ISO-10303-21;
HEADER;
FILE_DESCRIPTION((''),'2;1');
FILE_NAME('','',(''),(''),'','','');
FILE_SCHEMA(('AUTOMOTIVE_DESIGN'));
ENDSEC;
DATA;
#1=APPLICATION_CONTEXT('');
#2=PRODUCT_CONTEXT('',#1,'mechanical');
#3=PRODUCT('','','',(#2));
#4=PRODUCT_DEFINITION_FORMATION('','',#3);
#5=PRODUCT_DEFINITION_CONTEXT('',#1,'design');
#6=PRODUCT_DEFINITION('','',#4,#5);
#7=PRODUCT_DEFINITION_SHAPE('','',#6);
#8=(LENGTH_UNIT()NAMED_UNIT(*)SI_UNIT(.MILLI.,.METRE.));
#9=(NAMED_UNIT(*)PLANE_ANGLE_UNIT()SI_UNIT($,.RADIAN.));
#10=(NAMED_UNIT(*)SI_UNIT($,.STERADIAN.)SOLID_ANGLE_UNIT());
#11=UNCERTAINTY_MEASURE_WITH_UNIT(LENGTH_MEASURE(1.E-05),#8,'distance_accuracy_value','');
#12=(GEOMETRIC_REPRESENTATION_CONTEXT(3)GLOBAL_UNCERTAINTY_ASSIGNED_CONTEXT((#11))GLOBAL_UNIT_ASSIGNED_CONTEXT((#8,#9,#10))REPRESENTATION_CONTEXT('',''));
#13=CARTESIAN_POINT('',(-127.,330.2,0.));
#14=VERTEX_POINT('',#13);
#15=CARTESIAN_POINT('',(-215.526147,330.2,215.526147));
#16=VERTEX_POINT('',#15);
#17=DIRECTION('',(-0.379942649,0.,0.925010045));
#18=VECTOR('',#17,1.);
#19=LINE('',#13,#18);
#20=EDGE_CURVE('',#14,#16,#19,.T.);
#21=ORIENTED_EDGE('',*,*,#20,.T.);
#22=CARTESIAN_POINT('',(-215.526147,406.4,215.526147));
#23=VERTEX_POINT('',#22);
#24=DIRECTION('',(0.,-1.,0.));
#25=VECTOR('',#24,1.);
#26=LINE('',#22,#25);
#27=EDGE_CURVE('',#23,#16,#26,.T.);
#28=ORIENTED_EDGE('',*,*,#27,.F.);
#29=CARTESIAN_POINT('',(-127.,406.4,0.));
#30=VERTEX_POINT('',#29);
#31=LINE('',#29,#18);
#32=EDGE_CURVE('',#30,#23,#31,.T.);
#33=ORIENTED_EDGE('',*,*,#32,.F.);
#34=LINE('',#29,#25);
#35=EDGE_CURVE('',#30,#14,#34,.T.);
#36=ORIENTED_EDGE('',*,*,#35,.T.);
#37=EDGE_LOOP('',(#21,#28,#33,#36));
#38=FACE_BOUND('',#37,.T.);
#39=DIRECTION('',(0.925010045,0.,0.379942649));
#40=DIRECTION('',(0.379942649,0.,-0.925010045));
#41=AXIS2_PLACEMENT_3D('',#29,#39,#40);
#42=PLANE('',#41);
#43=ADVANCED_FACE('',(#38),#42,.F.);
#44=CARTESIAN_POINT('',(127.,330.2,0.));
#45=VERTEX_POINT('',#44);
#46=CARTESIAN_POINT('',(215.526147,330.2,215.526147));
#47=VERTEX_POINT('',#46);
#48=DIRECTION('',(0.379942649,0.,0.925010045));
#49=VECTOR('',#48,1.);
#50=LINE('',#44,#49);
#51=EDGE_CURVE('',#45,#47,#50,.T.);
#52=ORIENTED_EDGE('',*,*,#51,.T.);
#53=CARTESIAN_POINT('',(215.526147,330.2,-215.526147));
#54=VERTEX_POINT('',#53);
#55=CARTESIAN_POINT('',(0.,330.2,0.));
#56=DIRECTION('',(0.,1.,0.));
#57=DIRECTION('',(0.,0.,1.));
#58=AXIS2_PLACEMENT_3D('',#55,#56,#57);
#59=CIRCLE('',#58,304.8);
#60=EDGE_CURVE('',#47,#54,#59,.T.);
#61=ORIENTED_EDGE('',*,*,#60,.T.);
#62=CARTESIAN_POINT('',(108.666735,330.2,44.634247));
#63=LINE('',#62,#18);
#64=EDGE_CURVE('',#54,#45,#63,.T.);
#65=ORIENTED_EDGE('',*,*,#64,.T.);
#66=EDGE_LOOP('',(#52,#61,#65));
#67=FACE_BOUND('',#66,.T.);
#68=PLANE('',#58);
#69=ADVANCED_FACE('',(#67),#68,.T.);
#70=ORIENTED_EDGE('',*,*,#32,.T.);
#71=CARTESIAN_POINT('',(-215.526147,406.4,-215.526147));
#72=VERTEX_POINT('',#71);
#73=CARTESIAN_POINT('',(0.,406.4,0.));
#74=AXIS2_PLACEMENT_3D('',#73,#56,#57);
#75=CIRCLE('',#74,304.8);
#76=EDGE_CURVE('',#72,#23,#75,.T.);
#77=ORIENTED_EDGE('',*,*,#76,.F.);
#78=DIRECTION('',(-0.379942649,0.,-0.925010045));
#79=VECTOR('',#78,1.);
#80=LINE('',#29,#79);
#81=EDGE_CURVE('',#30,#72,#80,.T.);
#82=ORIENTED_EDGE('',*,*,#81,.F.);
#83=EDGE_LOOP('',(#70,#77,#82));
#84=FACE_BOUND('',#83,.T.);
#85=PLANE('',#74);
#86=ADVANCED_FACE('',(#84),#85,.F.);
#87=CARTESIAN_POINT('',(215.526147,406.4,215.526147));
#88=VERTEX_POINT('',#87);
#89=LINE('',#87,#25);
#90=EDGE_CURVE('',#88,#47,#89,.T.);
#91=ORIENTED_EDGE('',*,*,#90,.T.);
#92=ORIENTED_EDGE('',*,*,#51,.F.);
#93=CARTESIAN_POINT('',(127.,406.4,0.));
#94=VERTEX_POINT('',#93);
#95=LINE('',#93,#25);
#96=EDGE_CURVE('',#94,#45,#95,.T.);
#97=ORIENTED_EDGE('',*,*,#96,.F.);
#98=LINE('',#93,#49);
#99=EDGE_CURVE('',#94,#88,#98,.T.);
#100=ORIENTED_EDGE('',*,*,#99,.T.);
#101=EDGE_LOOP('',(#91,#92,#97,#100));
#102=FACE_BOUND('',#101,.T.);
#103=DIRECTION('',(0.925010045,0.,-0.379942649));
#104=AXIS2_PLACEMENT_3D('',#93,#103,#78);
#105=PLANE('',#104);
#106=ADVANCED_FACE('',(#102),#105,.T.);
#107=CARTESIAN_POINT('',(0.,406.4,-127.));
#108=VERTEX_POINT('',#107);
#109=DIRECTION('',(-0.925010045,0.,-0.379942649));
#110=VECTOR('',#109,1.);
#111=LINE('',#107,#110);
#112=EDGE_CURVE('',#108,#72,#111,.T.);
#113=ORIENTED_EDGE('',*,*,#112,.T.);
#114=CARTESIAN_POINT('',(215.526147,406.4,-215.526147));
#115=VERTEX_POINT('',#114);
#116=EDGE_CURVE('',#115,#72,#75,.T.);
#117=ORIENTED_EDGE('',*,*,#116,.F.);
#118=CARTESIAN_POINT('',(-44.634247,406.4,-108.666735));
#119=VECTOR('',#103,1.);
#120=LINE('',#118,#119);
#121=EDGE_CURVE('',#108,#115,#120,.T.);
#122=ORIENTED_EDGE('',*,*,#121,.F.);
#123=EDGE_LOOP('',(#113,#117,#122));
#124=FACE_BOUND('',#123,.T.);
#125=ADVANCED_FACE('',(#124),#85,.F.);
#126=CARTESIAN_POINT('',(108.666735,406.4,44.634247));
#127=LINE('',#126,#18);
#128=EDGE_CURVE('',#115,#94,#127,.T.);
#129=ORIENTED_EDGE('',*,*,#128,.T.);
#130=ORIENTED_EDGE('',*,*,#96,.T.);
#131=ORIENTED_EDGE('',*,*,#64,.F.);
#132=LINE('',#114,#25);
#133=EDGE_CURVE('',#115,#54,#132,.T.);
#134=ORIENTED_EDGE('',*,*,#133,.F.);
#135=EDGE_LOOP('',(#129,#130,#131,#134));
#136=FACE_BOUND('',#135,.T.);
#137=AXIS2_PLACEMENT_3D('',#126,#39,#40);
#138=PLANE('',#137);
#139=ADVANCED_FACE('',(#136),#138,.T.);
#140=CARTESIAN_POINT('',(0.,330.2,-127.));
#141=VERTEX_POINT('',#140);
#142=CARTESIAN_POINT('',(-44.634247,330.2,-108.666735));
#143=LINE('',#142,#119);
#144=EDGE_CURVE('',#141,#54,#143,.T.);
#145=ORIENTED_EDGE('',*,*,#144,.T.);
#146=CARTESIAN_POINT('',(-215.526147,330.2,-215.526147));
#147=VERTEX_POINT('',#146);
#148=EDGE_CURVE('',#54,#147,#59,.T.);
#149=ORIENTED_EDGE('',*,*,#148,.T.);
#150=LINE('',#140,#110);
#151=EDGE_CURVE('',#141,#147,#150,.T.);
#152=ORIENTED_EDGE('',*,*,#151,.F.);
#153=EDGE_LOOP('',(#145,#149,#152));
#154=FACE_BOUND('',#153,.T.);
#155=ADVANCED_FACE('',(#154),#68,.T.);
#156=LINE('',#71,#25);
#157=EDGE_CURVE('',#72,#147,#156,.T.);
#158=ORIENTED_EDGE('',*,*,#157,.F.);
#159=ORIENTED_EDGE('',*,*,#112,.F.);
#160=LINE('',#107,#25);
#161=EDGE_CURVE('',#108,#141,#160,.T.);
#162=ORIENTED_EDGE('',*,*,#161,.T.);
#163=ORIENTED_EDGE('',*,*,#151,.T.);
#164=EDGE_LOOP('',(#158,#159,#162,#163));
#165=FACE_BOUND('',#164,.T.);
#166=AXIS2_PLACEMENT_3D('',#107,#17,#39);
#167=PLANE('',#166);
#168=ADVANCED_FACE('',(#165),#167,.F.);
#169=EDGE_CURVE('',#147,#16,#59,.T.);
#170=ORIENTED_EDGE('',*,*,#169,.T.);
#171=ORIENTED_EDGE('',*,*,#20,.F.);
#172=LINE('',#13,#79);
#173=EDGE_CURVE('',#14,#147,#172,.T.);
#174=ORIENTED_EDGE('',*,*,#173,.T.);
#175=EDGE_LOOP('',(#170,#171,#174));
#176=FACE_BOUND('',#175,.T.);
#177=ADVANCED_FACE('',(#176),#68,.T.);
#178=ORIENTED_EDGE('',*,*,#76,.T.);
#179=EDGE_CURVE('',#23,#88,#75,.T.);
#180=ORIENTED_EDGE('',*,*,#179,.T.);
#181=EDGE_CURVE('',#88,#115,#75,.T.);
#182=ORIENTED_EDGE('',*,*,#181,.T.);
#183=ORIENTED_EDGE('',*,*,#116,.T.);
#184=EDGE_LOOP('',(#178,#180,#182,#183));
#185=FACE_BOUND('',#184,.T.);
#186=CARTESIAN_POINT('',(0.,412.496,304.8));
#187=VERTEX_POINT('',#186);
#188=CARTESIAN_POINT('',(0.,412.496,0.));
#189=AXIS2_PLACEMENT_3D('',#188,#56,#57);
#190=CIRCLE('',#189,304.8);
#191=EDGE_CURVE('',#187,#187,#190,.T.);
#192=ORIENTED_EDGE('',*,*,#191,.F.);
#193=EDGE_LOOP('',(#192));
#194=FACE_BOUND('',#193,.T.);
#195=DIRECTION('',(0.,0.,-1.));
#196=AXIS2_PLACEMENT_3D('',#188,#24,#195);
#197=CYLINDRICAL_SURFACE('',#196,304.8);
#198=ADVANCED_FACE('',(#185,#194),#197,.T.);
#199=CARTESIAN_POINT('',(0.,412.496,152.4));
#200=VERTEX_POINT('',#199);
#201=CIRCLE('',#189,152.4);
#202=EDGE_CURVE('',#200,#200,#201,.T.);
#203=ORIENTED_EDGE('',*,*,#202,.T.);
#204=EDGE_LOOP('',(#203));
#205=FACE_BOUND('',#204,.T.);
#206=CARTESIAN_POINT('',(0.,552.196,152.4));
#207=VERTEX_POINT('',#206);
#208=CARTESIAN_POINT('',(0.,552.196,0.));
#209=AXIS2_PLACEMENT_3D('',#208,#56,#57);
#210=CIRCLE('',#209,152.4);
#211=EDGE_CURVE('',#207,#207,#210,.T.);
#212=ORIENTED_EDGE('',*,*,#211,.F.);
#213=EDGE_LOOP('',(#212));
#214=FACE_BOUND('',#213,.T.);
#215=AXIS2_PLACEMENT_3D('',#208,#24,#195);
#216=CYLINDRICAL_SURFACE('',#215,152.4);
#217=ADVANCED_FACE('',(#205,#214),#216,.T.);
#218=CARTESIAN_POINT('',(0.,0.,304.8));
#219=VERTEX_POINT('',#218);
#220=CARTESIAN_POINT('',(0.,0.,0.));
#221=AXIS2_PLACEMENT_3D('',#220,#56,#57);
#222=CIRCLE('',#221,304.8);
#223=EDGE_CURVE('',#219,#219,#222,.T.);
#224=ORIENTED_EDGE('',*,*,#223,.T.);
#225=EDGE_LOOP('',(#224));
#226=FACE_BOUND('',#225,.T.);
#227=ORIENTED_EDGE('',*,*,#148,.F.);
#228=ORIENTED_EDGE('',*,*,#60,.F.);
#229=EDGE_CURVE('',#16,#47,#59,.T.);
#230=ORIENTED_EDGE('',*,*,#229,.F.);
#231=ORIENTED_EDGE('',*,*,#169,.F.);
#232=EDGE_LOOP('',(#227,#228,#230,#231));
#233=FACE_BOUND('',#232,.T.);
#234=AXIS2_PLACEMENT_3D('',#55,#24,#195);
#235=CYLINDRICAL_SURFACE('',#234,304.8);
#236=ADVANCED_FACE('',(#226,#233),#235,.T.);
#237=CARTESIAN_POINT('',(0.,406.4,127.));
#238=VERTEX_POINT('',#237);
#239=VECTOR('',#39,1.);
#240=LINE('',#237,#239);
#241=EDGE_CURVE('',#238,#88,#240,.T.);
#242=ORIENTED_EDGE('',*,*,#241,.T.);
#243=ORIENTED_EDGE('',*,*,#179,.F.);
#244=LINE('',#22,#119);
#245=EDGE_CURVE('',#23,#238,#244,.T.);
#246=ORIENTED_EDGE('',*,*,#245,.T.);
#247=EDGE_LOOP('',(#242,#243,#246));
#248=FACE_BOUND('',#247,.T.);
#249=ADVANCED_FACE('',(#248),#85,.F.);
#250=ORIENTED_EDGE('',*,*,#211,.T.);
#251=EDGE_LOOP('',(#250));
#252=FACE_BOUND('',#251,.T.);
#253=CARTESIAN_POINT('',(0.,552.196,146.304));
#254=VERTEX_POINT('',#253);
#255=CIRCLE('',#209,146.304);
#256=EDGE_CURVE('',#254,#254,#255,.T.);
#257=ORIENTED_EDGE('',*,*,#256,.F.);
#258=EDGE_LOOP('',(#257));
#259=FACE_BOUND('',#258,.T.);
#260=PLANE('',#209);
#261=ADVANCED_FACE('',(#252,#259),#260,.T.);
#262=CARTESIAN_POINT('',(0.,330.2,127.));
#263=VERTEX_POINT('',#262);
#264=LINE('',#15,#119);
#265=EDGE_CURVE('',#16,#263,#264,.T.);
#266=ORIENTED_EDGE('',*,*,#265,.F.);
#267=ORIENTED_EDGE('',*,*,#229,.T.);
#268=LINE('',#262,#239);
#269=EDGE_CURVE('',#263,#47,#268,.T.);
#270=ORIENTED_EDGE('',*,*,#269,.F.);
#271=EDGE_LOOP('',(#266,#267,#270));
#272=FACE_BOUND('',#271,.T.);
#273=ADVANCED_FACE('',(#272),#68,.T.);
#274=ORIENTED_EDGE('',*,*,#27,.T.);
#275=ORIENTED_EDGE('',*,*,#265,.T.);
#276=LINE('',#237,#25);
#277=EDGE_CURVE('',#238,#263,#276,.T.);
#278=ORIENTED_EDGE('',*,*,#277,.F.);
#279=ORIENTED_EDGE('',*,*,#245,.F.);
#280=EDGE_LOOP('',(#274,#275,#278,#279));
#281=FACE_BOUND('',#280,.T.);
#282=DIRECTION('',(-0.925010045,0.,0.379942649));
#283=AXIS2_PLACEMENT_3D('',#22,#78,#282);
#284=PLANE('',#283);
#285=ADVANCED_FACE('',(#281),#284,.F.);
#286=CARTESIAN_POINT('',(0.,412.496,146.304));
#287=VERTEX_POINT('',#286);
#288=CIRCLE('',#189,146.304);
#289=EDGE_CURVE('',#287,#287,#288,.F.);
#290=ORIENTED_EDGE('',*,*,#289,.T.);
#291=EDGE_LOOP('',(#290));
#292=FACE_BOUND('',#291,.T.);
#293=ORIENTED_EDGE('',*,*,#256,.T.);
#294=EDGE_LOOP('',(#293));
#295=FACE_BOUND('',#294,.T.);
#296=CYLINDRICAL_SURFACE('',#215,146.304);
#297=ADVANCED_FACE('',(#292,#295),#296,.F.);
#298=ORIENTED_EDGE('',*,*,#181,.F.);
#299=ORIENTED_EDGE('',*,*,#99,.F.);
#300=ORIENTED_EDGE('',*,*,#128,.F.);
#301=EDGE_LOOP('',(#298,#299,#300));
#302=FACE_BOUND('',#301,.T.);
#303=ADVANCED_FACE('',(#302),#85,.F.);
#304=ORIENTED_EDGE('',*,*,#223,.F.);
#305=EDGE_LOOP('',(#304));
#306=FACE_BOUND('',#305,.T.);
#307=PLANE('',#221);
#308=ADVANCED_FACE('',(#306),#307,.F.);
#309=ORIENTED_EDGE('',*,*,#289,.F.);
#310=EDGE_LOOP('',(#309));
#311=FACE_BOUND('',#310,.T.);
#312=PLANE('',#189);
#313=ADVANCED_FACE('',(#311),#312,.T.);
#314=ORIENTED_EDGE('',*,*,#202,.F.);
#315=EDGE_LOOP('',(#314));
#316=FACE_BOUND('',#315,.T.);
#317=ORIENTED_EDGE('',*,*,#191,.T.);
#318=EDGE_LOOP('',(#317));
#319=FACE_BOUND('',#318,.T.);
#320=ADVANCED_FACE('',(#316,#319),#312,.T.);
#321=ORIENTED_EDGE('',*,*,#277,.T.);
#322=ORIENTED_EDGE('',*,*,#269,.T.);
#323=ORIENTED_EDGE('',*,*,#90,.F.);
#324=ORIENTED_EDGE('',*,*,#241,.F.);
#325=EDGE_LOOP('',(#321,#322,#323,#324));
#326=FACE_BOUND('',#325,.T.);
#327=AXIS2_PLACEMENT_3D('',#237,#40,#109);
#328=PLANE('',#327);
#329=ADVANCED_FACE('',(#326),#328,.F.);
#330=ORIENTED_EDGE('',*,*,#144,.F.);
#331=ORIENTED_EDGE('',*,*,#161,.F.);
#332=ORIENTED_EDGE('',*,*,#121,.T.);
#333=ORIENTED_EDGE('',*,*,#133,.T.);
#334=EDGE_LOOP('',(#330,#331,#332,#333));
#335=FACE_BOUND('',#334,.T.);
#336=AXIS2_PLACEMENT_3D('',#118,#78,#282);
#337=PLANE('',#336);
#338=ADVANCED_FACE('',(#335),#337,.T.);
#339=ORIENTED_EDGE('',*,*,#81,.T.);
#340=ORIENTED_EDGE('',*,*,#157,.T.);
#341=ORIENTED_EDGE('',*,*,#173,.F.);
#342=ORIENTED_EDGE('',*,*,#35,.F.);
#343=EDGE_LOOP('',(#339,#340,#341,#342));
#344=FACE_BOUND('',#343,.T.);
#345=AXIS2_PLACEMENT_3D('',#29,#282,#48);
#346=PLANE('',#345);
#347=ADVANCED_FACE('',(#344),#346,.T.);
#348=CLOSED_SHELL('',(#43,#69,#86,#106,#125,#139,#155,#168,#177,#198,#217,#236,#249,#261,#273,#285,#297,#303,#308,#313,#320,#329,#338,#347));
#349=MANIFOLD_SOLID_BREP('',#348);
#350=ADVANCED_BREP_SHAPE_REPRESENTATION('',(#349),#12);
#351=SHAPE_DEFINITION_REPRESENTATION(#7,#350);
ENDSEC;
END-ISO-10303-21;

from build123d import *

# Parameters (mm, degrees)
SKETCH11_R          = 304.8
BOSS_EXTRUDE5_DEPTH = 330.2
BOSS_EXTRUDE6_DEPTH = 76.2
SKETCH13_R          = 304.8
BOSS_EXTRUDE7_DEPTH = 6.096
SKETCH14_R          = 152.4
SKETCH14_R_2        = 146.304
BOSS_EXTRUDE8_DEPTH = 139.7


with BuildPart() as part:
    # Sketch11 → Boss-Extrude5 (new body)
    with BuildSketch(Plane(origin=(0, 0, 0), x_dir=(1, 0, 0), z_dir=(0, 1, 0))):
        with Locations(Location((0, 0, 0), (0, 0, 270))):
            Circle(SKETCH11_R)
    extrude(amount=BOSS_EXTRUDE5_DEPTH)

    # Sketch12 → Boss-Extrude6 (add)
    with BuildSketch(Plane(origin=(0, 330.2, 0), x_dir=(1, 0, 0), z_dir=(0, 1, 0))):
        Polygon((-127, 0), (-215.526146906, -215.526146906), (0, -127), (215.526146906, -215.526146906), (127, 0), (215.526146906, 215.526146906), (0, 127), (-215.526146906, 215.526146906), align=None)
    extrude(amount=BOSS_EXTRUDE6_DEPTH)

    # Sketch13 → Boss-Extrude7 (add)
    with BuildSketch(Plane(origin=(0, 406.4, 0), x_dir=(1, 0, 0), z_dir=(0, 1, 0))):
        with Locations(Location((0, 0, 0), (0, 0, 135))):
            Circle(SKETCH13_R)
    extrude(amount=BOSS_EXTRUDE7_DEPTH)

    # Sketch14 → Boss-Extrude8 (add)
    with BuildSketch(Plane(origin=(0, 412.496, 0), x_dir=(1, 0, 0), z_dir=(0, 1, 0))):
        with Locations(Location((0, 0, 0), (0, 0, 270))):
            Circle(SKETCH14_R)
        with Locations(Location((0, 0, 0), (0, 0, 270))):
            Circle(SKETCH14_R_2, mode=Mode.SUBTRACT)
    extrude(amount=BOSS_EXTRUDE8_DEPTH)


solid = part.part
